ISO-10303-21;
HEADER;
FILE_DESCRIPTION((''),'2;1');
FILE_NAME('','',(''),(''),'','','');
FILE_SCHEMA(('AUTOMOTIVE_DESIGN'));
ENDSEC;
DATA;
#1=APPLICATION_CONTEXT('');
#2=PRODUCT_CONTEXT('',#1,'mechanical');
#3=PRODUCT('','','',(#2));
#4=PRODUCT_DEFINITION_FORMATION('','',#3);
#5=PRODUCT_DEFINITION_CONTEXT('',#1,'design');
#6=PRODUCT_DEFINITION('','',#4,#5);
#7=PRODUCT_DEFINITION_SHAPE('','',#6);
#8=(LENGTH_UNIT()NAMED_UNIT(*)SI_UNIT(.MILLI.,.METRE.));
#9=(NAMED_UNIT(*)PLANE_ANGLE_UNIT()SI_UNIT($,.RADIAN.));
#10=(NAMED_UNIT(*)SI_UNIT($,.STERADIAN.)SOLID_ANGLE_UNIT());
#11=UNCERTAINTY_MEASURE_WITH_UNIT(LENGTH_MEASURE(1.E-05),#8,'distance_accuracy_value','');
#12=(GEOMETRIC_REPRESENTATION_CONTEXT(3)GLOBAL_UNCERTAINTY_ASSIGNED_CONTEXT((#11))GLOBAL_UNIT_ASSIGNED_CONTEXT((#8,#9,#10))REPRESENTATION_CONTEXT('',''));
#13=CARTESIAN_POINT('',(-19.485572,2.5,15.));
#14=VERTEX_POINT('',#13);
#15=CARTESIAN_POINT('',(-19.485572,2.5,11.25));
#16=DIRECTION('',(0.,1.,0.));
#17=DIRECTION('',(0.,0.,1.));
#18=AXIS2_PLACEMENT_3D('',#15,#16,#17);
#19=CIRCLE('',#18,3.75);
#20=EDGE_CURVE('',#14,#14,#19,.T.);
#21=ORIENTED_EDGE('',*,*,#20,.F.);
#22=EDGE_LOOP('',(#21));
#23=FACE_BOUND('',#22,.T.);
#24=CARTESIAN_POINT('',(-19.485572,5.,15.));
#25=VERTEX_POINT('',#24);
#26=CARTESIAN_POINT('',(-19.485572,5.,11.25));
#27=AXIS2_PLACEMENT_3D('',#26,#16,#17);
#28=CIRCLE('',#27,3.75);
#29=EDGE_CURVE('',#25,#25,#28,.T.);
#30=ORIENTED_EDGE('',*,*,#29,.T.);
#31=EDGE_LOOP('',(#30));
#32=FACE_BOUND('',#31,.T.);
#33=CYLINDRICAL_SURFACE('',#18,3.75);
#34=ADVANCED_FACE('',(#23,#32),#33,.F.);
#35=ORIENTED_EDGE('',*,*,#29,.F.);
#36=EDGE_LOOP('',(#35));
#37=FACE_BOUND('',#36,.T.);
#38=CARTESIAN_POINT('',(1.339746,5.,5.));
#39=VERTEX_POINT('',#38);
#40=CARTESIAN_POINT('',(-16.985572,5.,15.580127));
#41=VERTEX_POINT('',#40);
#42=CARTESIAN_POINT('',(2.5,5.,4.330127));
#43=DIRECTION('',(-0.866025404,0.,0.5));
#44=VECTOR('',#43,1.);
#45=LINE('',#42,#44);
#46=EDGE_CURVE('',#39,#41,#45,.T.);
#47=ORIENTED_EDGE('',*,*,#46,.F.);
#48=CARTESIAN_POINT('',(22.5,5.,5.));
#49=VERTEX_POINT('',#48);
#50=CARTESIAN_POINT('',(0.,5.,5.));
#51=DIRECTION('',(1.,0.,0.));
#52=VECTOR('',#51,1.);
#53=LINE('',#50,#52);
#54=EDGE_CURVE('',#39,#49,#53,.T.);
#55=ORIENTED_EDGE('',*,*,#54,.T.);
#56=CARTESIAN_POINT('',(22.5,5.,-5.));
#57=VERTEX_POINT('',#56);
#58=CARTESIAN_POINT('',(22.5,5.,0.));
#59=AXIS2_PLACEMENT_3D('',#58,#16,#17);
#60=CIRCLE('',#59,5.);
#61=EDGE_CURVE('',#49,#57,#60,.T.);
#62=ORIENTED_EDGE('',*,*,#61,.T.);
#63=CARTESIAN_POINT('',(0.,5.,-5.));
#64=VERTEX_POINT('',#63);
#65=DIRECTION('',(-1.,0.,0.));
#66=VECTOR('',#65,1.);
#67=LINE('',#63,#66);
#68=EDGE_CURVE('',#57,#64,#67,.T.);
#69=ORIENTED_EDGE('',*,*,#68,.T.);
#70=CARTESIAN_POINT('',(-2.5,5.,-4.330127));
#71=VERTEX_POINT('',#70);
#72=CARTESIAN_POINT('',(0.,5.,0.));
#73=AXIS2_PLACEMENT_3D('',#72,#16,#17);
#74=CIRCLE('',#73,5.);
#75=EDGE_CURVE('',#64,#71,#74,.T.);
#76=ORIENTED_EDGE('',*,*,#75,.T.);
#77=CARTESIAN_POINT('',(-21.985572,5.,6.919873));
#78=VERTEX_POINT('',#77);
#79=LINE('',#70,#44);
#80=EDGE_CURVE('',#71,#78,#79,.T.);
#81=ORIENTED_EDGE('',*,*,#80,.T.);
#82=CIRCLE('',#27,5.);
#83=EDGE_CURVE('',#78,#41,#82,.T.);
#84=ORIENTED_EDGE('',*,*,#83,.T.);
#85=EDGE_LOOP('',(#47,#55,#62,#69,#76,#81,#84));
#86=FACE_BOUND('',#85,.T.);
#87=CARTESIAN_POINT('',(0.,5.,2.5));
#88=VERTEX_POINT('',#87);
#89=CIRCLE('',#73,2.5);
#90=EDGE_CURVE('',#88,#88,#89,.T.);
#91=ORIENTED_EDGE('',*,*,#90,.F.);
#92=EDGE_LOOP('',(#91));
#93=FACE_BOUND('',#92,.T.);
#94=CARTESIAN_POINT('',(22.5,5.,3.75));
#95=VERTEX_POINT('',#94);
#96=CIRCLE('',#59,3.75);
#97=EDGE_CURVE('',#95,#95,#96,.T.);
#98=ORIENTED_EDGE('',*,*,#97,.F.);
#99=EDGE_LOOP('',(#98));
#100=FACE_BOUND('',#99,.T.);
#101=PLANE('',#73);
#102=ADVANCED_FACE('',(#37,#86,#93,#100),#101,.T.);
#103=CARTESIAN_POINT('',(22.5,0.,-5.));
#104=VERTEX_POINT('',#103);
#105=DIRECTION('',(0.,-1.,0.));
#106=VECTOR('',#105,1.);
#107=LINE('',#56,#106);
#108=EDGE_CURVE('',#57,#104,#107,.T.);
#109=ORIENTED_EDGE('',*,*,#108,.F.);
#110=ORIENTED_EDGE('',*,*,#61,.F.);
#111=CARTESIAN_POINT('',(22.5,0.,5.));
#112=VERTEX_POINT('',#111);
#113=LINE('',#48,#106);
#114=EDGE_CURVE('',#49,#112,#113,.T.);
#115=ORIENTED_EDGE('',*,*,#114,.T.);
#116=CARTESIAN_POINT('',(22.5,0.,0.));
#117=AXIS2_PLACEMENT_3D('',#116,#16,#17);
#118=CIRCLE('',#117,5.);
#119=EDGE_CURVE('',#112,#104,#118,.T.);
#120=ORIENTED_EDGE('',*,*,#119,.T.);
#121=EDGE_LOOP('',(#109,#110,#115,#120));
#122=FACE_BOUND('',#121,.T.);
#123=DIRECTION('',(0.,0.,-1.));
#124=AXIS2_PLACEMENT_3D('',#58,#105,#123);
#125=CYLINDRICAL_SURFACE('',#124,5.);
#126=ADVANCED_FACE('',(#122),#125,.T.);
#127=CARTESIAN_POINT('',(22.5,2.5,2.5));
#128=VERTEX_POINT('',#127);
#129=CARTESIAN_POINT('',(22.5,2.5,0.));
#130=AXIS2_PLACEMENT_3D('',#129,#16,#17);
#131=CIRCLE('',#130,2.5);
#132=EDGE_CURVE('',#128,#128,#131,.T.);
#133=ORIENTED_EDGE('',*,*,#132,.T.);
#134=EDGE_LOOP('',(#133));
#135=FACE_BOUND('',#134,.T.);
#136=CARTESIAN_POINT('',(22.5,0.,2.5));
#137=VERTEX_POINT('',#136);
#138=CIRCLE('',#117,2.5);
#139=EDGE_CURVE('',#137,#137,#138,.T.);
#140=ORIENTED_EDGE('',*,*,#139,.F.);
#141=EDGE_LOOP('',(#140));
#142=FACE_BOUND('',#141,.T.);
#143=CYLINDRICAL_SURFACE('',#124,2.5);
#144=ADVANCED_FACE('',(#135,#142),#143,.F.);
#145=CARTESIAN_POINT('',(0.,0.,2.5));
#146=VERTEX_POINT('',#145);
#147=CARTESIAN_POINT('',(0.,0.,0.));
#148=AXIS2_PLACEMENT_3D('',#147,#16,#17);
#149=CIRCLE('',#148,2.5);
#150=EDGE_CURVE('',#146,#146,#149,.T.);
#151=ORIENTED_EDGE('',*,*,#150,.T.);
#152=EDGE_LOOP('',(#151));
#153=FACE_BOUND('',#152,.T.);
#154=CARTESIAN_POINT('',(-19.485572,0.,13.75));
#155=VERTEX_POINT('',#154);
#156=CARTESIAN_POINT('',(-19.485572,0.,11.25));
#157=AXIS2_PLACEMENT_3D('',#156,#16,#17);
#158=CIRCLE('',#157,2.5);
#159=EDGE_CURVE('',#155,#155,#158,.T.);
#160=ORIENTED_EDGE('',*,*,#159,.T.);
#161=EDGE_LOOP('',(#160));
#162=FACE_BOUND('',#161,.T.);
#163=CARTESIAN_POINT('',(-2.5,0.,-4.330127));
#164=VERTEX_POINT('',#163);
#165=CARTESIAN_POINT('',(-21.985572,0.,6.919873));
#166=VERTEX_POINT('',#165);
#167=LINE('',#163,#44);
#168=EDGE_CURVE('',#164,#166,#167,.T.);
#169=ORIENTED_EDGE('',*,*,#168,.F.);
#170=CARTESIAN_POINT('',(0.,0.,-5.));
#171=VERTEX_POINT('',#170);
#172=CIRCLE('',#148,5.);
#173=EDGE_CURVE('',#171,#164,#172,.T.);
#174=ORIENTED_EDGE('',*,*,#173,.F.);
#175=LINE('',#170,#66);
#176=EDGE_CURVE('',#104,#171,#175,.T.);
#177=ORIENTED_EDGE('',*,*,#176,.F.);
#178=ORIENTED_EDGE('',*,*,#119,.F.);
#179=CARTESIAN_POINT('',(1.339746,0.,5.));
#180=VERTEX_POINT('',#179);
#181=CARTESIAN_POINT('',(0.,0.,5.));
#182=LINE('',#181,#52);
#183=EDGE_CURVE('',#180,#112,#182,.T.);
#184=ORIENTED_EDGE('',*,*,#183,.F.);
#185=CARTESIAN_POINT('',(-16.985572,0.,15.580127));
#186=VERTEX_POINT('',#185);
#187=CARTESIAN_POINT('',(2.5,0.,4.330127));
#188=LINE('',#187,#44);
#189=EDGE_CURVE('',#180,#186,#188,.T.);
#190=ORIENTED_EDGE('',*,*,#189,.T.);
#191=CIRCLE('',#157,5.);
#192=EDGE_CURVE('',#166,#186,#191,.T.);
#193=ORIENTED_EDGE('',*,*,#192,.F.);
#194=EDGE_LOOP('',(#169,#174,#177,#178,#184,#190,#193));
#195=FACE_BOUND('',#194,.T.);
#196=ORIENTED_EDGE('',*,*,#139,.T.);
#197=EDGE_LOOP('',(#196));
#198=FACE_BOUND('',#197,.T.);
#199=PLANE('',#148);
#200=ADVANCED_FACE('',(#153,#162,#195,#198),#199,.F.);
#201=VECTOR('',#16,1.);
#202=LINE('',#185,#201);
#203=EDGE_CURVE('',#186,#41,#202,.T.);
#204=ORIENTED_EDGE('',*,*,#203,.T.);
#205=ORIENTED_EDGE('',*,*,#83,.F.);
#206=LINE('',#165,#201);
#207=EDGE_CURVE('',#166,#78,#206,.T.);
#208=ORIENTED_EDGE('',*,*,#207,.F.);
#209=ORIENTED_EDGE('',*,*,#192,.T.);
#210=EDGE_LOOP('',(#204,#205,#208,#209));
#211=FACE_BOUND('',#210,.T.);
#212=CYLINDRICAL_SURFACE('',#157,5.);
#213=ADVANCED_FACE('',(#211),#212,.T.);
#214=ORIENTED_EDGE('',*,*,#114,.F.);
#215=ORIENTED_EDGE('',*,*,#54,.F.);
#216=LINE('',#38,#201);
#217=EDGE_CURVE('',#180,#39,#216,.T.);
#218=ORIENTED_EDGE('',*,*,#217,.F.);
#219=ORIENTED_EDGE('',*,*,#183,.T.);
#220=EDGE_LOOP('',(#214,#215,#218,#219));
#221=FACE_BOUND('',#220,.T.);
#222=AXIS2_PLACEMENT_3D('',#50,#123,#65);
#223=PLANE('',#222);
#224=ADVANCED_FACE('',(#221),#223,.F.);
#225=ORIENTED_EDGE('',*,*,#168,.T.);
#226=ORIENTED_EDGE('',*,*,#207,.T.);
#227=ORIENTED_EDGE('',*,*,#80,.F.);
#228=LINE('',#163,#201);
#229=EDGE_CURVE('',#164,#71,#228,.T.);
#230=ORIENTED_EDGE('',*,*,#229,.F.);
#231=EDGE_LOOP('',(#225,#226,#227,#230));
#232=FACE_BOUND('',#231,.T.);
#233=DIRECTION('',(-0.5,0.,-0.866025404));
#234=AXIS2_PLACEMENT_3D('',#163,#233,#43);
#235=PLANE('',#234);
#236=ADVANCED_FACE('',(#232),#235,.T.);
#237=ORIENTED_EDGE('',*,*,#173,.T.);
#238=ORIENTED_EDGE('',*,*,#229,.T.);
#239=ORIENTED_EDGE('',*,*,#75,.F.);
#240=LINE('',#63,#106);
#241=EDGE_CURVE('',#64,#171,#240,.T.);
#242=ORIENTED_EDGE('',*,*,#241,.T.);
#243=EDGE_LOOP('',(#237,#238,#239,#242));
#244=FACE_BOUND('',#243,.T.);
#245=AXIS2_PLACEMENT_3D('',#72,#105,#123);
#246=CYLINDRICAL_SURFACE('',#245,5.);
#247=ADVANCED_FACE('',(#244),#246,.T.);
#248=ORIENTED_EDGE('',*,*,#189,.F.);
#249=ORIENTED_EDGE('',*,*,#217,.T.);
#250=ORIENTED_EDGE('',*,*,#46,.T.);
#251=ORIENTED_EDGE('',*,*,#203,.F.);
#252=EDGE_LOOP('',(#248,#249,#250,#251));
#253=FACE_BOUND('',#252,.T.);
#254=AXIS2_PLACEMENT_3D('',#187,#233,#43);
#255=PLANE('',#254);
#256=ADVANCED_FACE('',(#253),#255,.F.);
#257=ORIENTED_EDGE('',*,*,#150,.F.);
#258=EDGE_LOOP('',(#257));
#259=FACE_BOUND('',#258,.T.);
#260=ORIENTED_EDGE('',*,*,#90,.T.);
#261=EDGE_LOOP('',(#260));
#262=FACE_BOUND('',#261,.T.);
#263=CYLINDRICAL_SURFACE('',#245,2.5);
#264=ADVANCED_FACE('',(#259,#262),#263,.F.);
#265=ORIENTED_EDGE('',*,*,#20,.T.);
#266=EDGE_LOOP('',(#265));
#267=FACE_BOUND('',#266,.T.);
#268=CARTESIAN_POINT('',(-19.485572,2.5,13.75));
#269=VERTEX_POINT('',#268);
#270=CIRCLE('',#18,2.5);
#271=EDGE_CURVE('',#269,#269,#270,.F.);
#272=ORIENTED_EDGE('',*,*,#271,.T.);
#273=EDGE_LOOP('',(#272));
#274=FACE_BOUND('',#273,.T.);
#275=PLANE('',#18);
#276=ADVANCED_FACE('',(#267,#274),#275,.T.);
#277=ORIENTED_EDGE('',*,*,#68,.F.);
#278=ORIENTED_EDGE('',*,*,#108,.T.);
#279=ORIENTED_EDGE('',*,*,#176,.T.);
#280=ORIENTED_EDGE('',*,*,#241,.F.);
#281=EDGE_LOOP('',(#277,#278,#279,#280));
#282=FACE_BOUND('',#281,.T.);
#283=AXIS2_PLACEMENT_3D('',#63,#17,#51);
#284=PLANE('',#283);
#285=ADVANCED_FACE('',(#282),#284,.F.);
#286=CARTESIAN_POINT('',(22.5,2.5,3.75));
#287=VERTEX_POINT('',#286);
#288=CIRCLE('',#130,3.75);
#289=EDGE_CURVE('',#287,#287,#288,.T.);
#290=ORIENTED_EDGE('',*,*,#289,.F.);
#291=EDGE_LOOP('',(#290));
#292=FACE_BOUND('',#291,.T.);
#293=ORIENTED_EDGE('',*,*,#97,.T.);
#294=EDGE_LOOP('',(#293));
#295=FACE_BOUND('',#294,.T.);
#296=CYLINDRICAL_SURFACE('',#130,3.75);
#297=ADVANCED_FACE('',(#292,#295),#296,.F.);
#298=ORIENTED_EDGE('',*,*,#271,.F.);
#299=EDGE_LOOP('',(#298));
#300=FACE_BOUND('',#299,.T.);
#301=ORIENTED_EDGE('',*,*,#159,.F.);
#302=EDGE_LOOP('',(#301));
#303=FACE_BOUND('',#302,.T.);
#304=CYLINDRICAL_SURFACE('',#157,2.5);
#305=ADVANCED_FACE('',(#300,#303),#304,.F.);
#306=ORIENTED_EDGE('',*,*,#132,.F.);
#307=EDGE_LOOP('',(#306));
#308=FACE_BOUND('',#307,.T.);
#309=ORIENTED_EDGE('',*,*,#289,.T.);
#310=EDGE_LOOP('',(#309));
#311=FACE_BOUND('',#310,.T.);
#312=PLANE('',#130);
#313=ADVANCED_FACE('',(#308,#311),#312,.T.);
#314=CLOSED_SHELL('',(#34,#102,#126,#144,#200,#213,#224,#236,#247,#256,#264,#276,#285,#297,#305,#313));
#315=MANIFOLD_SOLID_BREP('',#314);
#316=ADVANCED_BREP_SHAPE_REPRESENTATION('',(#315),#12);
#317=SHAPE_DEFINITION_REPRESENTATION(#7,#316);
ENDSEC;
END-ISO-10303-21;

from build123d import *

# Parameters (mm, degrees)
SKETCH1_R           = 2.5
BOSS_EXTRUDE1_DEPTH = 5
BOSS_EXTRUDE2_START = -5
SKETCH2_R           = 2.5
BOSS_EXTRUDE2_DEPTH = 5
SKETCH3_R           = 3.75
CUT_EXTRUDE1_DEPTH  = 2.5


with BuildPart() as part:
    # Sketch1 → Boss-Extrude1 (new body)
    with BuildSketch(Plane(origin=(0, 0, 0), x_dir=(1, 0, 0), z_dir=(0, 1, 0))):
        with BuildLine():
            Line((0, 5), (22.5, 5))
            ThreePointArc((22.5, 5), (27.5, 0), (22.5, -5))
            Line((22.5, -5), (0, -5))
            ThreePointArc((0, -5), (-5, 0), (0, 5))
        make_face()
        with Locations(Location((0, 0, 0), (0, 0, 270))):
            Circle(SKETCH1_R, mode=Mode.SUBTRACT)
        with Locations(Location((22.5, 0, 0), (0, 0, 270))):
            Circle(SKETCH1_R, mode=Mode.SUBTRACT)
    extrude(amount=BOSS_EXTRUDE1_DEPTH)

    # Sketch2 → Boss-Extrude2 (add)
    with BuildSketch(Plane(origin=(0, 5, 0), x_dir=(1, 0, 0), z_dir=(0, 1, 0)).offset(BOSS_EXTRUDE2_START)):
        with BuildLine():
            Line((2.5, -4.330127019), (-16.985571585, -15.580127019))
            ThreePointArc((-16.985571585, -15.580127019), (-23.815698604, -13.75), (-21.985571585, -6.919872981))
            Line((-21.985571585, -6.919872981), (-2.5, 4.330127019))
            ThreePointArc((-2.5, 4.330127019), (4.330127019, 2.5), (2.5, -4.330127019))
        make_face()
        with Locations(Location((-19.485571585, -11.25, 0), (0, 0, 270))):
            Circle(SKETCH2_R, mode=Mode.SUBTRACT)
        with Locations(Location((0, 0, 0), (0, 0, 270))):
            Circle(SKETCH2_R, mode=Mode.SUBTRACT)
    extrude(amount=BOSS_EXTRUDE2_DEPTH)

    # Sketch3 → Cut-Extrude1 (cut)
    with BuildSketch(Plane(origin=(0, 5, 0), x_dir=(1, 0, 0), z_dir=(0, 1, 0))):
        with Locations(Location((22.5, 0, 0), (0, 0, 270))):
            Circle(SKETCH3_R)
        with Locations(Location((-19.485571585, -11.25, 0), (0, 0, 270))):
            Circle(SKETCH3_R)
    extrude(amount=-CUT_EXTRUDE1_DEPTH, mode=Mode.SUBTRACT)


solid = part.part
